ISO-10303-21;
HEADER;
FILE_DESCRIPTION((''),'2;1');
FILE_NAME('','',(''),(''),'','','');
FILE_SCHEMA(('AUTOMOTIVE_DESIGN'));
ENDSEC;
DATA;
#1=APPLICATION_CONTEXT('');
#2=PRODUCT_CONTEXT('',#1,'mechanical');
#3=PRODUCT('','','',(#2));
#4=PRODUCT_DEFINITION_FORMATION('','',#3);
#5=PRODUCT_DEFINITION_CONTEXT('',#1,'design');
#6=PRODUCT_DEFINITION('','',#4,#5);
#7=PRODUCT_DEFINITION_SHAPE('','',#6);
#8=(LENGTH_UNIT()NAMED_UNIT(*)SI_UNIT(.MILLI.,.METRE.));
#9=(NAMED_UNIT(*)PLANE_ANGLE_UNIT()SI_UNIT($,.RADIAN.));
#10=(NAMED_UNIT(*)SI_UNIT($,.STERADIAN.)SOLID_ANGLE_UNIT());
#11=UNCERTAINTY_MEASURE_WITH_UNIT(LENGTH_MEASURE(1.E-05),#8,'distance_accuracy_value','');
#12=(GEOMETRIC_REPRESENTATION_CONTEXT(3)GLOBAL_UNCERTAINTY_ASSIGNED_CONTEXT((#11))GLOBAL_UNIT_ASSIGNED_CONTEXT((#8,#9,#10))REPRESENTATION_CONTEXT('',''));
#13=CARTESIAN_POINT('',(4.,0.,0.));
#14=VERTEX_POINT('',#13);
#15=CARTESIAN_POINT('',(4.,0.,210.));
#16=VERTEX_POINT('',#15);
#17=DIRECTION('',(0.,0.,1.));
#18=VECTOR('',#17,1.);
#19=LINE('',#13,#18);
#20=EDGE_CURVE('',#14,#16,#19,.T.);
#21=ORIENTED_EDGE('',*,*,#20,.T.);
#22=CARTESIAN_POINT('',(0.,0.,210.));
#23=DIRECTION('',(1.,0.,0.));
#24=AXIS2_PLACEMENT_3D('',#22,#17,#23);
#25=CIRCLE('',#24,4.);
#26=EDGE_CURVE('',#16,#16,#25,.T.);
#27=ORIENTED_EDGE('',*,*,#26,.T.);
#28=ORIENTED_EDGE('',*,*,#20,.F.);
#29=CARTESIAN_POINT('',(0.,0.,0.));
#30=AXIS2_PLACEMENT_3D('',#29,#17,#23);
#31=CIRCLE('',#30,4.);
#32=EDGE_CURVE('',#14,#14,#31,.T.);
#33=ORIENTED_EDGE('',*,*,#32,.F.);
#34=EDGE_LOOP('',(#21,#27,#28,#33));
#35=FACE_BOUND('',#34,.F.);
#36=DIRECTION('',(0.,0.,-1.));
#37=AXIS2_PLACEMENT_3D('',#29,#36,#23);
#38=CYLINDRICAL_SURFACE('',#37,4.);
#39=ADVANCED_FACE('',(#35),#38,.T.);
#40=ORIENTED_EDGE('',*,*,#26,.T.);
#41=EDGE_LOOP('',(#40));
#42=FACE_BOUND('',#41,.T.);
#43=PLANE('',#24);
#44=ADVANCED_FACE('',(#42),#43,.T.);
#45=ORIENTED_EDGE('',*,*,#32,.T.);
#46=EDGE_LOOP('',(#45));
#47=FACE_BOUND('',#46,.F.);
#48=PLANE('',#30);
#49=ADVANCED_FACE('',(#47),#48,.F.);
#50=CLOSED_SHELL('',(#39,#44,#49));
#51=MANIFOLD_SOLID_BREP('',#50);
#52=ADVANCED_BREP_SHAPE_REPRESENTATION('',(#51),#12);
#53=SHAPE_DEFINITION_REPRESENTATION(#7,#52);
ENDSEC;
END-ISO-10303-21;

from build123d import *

# Parameters (mm, degrees)
SKETCH_R  = 4
PAD_DEPTH = 210


with BuildPart() as part:
    # Sketch → Pad (new body)
    with BuildSketch(Plane.XY):
        Circle(SKETCH_R)
    extrude(amount=PAD_DEPTH)


solid = part.part
